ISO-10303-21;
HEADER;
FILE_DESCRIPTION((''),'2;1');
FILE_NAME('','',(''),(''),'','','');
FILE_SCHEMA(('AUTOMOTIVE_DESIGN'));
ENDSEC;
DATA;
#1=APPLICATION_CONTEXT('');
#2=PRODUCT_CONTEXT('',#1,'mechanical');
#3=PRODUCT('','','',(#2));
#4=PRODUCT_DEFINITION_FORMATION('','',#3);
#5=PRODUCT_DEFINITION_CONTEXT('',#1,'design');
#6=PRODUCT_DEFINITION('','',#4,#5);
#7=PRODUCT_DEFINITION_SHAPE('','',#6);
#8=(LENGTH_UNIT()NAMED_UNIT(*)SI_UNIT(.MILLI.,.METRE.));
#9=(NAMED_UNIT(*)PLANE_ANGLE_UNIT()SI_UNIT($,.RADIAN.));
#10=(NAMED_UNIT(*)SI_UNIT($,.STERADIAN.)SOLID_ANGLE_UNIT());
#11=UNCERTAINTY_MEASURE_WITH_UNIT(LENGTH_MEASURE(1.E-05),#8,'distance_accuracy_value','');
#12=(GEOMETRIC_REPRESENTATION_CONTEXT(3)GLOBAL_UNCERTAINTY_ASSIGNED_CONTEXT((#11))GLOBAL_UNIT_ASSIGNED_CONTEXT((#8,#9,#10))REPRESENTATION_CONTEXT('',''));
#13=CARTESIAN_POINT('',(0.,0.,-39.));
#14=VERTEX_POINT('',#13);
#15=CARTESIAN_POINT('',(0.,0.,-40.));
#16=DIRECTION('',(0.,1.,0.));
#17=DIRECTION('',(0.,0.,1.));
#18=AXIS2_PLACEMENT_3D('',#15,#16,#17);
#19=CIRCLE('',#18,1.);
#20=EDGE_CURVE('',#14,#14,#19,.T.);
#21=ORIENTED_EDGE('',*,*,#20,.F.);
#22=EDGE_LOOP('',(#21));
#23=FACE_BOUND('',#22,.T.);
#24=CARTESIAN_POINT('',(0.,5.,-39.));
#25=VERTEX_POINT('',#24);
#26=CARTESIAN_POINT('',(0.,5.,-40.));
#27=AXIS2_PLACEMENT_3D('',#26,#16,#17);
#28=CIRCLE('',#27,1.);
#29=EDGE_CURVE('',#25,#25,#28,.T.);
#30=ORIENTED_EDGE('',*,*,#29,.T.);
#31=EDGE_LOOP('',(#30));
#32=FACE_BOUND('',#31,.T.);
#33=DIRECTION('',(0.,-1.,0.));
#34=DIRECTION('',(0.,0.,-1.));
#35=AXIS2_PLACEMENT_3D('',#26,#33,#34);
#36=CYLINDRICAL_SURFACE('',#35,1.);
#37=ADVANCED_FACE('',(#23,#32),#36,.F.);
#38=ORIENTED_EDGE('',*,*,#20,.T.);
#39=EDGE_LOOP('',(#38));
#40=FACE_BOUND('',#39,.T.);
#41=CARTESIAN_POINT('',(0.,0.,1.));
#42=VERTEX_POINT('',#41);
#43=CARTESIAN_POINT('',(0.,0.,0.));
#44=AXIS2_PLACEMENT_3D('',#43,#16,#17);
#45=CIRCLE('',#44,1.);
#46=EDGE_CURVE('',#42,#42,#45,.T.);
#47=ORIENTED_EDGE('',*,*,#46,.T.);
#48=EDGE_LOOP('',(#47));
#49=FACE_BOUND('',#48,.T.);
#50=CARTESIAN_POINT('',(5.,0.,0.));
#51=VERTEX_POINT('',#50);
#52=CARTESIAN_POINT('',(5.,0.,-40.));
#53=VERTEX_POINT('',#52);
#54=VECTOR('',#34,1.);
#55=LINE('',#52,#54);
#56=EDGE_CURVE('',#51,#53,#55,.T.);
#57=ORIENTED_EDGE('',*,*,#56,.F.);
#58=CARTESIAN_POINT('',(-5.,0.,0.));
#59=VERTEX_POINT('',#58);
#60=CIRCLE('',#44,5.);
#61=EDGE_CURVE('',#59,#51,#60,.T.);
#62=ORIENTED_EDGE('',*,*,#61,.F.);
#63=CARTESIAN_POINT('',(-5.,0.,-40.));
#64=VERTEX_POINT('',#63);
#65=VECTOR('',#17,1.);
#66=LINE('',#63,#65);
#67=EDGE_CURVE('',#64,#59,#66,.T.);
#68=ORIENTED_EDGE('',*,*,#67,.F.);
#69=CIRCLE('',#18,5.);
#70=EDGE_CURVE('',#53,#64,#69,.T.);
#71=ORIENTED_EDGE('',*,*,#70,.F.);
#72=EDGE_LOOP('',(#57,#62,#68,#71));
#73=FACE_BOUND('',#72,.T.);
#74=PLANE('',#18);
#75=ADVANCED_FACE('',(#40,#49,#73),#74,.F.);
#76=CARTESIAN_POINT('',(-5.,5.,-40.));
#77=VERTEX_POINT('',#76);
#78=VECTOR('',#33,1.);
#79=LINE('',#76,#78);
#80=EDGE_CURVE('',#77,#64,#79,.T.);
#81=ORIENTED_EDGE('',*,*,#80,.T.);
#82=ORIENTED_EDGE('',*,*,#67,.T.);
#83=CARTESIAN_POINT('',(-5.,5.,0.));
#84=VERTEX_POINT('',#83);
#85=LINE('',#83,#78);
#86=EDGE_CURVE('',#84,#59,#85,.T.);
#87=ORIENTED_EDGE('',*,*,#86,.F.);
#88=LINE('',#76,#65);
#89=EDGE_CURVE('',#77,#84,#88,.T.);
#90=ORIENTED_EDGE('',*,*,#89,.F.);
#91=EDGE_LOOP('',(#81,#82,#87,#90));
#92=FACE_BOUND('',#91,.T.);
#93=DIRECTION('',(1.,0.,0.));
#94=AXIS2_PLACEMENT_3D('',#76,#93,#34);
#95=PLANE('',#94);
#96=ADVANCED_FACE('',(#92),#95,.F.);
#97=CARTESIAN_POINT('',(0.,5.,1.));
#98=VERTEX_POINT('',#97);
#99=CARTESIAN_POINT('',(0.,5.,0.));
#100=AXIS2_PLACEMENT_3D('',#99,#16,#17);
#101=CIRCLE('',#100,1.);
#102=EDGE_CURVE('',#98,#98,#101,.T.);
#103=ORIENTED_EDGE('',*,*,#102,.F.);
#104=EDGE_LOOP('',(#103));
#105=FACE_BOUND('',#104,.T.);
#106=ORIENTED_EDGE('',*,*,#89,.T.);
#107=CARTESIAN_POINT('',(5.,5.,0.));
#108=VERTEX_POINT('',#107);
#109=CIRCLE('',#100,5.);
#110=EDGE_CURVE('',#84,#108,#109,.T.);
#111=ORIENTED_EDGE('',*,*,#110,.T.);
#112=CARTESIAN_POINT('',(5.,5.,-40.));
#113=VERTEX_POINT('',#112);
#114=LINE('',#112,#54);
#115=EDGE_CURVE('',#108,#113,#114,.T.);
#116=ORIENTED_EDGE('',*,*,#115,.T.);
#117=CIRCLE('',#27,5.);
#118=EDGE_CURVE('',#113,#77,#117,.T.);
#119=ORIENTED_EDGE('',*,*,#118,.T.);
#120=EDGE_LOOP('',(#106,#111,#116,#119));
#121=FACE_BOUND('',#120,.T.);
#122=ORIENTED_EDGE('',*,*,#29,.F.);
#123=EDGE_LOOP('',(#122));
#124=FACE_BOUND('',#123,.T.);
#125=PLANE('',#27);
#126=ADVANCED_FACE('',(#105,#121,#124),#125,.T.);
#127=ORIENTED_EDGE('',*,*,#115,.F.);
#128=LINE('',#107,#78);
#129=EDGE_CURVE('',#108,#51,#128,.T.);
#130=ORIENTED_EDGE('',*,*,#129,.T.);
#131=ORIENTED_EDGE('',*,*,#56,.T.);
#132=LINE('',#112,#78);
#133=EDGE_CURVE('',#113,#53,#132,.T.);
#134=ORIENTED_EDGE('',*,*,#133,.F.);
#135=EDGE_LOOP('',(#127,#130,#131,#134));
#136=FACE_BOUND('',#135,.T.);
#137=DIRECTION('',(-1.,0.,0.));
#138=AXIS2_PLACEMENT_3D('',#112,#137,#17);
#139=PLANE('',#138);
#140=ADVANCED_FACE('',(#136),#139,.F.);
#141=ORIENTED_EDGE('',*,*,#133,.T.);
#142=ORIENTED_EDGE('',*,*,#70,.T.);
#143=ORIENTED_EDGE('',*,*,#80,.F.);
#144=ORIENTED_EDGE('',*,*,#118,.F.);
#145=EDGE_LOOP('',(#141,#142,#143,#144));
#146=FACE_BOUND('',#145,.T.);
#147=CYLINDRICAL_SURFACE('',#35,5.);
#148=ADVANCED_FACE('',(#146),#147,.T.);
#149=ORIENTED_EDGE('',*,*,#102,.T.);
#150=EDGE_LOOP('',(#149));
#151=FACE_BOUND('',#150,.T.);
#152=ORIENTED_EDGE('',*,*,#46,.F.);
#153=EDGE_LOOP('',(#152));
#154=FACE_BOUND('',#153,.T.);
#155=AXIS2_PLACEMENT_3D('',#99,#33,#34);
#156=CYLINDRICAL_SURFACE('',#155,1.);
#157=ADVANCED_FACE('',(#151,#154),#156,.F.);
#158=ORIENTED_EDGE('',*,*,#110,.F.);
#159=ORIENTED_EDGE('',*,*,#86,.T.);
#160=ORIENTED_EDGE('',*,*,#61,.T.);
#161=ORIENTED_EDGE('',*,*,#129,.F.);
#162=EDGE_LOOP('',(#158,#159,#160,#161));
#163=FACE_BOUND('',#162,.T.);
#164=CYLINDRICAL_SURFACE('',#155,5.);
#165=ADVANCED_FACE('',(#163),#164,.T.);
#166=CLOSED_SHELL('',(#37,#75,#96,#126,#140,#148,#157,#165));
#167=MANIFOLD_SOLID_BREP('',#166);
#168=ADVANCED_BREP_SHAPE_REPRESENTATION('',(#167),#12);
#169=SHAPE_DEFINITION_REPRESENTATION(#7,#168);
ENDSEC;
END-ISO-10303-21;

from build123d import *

# Parameters (mm, degrees)
SKETCH2_R           = 1
BOSS_EXTRUDE1_DEPTH = 5


with BuildPart() as part:
    # Sketch2 → Boss-Extrude1 (new body)
    with BuildSketch(Plane(origin=(0, 0, 0), x_dir=(1, 0, 0), z_dir=(0, 1, 0))):
        with BuildLine():
            Line((-5, 40), (-5, 0))
            ThreePointArc((-5, 0), (0, -5), (5, 0))
            Line((5, 0), (5, 40))
            ThreePointArc((5, 40), (0, 45), (-5, 40))
        make_face()
        with Locations(Location((0, 0, 0), (0, 0, 270))):
            Circle(SKETCH2_R, mode=Mode.SUBTRACT)
        with Locations(Location((0, 40, 0), (0, 0, 270))):
            Circle(SKETCH2_R, mode=Mode.SUBTRACT)
    extrude(amount=BOSS_EXTRUDE1_DEPTH)


solid = part.part
